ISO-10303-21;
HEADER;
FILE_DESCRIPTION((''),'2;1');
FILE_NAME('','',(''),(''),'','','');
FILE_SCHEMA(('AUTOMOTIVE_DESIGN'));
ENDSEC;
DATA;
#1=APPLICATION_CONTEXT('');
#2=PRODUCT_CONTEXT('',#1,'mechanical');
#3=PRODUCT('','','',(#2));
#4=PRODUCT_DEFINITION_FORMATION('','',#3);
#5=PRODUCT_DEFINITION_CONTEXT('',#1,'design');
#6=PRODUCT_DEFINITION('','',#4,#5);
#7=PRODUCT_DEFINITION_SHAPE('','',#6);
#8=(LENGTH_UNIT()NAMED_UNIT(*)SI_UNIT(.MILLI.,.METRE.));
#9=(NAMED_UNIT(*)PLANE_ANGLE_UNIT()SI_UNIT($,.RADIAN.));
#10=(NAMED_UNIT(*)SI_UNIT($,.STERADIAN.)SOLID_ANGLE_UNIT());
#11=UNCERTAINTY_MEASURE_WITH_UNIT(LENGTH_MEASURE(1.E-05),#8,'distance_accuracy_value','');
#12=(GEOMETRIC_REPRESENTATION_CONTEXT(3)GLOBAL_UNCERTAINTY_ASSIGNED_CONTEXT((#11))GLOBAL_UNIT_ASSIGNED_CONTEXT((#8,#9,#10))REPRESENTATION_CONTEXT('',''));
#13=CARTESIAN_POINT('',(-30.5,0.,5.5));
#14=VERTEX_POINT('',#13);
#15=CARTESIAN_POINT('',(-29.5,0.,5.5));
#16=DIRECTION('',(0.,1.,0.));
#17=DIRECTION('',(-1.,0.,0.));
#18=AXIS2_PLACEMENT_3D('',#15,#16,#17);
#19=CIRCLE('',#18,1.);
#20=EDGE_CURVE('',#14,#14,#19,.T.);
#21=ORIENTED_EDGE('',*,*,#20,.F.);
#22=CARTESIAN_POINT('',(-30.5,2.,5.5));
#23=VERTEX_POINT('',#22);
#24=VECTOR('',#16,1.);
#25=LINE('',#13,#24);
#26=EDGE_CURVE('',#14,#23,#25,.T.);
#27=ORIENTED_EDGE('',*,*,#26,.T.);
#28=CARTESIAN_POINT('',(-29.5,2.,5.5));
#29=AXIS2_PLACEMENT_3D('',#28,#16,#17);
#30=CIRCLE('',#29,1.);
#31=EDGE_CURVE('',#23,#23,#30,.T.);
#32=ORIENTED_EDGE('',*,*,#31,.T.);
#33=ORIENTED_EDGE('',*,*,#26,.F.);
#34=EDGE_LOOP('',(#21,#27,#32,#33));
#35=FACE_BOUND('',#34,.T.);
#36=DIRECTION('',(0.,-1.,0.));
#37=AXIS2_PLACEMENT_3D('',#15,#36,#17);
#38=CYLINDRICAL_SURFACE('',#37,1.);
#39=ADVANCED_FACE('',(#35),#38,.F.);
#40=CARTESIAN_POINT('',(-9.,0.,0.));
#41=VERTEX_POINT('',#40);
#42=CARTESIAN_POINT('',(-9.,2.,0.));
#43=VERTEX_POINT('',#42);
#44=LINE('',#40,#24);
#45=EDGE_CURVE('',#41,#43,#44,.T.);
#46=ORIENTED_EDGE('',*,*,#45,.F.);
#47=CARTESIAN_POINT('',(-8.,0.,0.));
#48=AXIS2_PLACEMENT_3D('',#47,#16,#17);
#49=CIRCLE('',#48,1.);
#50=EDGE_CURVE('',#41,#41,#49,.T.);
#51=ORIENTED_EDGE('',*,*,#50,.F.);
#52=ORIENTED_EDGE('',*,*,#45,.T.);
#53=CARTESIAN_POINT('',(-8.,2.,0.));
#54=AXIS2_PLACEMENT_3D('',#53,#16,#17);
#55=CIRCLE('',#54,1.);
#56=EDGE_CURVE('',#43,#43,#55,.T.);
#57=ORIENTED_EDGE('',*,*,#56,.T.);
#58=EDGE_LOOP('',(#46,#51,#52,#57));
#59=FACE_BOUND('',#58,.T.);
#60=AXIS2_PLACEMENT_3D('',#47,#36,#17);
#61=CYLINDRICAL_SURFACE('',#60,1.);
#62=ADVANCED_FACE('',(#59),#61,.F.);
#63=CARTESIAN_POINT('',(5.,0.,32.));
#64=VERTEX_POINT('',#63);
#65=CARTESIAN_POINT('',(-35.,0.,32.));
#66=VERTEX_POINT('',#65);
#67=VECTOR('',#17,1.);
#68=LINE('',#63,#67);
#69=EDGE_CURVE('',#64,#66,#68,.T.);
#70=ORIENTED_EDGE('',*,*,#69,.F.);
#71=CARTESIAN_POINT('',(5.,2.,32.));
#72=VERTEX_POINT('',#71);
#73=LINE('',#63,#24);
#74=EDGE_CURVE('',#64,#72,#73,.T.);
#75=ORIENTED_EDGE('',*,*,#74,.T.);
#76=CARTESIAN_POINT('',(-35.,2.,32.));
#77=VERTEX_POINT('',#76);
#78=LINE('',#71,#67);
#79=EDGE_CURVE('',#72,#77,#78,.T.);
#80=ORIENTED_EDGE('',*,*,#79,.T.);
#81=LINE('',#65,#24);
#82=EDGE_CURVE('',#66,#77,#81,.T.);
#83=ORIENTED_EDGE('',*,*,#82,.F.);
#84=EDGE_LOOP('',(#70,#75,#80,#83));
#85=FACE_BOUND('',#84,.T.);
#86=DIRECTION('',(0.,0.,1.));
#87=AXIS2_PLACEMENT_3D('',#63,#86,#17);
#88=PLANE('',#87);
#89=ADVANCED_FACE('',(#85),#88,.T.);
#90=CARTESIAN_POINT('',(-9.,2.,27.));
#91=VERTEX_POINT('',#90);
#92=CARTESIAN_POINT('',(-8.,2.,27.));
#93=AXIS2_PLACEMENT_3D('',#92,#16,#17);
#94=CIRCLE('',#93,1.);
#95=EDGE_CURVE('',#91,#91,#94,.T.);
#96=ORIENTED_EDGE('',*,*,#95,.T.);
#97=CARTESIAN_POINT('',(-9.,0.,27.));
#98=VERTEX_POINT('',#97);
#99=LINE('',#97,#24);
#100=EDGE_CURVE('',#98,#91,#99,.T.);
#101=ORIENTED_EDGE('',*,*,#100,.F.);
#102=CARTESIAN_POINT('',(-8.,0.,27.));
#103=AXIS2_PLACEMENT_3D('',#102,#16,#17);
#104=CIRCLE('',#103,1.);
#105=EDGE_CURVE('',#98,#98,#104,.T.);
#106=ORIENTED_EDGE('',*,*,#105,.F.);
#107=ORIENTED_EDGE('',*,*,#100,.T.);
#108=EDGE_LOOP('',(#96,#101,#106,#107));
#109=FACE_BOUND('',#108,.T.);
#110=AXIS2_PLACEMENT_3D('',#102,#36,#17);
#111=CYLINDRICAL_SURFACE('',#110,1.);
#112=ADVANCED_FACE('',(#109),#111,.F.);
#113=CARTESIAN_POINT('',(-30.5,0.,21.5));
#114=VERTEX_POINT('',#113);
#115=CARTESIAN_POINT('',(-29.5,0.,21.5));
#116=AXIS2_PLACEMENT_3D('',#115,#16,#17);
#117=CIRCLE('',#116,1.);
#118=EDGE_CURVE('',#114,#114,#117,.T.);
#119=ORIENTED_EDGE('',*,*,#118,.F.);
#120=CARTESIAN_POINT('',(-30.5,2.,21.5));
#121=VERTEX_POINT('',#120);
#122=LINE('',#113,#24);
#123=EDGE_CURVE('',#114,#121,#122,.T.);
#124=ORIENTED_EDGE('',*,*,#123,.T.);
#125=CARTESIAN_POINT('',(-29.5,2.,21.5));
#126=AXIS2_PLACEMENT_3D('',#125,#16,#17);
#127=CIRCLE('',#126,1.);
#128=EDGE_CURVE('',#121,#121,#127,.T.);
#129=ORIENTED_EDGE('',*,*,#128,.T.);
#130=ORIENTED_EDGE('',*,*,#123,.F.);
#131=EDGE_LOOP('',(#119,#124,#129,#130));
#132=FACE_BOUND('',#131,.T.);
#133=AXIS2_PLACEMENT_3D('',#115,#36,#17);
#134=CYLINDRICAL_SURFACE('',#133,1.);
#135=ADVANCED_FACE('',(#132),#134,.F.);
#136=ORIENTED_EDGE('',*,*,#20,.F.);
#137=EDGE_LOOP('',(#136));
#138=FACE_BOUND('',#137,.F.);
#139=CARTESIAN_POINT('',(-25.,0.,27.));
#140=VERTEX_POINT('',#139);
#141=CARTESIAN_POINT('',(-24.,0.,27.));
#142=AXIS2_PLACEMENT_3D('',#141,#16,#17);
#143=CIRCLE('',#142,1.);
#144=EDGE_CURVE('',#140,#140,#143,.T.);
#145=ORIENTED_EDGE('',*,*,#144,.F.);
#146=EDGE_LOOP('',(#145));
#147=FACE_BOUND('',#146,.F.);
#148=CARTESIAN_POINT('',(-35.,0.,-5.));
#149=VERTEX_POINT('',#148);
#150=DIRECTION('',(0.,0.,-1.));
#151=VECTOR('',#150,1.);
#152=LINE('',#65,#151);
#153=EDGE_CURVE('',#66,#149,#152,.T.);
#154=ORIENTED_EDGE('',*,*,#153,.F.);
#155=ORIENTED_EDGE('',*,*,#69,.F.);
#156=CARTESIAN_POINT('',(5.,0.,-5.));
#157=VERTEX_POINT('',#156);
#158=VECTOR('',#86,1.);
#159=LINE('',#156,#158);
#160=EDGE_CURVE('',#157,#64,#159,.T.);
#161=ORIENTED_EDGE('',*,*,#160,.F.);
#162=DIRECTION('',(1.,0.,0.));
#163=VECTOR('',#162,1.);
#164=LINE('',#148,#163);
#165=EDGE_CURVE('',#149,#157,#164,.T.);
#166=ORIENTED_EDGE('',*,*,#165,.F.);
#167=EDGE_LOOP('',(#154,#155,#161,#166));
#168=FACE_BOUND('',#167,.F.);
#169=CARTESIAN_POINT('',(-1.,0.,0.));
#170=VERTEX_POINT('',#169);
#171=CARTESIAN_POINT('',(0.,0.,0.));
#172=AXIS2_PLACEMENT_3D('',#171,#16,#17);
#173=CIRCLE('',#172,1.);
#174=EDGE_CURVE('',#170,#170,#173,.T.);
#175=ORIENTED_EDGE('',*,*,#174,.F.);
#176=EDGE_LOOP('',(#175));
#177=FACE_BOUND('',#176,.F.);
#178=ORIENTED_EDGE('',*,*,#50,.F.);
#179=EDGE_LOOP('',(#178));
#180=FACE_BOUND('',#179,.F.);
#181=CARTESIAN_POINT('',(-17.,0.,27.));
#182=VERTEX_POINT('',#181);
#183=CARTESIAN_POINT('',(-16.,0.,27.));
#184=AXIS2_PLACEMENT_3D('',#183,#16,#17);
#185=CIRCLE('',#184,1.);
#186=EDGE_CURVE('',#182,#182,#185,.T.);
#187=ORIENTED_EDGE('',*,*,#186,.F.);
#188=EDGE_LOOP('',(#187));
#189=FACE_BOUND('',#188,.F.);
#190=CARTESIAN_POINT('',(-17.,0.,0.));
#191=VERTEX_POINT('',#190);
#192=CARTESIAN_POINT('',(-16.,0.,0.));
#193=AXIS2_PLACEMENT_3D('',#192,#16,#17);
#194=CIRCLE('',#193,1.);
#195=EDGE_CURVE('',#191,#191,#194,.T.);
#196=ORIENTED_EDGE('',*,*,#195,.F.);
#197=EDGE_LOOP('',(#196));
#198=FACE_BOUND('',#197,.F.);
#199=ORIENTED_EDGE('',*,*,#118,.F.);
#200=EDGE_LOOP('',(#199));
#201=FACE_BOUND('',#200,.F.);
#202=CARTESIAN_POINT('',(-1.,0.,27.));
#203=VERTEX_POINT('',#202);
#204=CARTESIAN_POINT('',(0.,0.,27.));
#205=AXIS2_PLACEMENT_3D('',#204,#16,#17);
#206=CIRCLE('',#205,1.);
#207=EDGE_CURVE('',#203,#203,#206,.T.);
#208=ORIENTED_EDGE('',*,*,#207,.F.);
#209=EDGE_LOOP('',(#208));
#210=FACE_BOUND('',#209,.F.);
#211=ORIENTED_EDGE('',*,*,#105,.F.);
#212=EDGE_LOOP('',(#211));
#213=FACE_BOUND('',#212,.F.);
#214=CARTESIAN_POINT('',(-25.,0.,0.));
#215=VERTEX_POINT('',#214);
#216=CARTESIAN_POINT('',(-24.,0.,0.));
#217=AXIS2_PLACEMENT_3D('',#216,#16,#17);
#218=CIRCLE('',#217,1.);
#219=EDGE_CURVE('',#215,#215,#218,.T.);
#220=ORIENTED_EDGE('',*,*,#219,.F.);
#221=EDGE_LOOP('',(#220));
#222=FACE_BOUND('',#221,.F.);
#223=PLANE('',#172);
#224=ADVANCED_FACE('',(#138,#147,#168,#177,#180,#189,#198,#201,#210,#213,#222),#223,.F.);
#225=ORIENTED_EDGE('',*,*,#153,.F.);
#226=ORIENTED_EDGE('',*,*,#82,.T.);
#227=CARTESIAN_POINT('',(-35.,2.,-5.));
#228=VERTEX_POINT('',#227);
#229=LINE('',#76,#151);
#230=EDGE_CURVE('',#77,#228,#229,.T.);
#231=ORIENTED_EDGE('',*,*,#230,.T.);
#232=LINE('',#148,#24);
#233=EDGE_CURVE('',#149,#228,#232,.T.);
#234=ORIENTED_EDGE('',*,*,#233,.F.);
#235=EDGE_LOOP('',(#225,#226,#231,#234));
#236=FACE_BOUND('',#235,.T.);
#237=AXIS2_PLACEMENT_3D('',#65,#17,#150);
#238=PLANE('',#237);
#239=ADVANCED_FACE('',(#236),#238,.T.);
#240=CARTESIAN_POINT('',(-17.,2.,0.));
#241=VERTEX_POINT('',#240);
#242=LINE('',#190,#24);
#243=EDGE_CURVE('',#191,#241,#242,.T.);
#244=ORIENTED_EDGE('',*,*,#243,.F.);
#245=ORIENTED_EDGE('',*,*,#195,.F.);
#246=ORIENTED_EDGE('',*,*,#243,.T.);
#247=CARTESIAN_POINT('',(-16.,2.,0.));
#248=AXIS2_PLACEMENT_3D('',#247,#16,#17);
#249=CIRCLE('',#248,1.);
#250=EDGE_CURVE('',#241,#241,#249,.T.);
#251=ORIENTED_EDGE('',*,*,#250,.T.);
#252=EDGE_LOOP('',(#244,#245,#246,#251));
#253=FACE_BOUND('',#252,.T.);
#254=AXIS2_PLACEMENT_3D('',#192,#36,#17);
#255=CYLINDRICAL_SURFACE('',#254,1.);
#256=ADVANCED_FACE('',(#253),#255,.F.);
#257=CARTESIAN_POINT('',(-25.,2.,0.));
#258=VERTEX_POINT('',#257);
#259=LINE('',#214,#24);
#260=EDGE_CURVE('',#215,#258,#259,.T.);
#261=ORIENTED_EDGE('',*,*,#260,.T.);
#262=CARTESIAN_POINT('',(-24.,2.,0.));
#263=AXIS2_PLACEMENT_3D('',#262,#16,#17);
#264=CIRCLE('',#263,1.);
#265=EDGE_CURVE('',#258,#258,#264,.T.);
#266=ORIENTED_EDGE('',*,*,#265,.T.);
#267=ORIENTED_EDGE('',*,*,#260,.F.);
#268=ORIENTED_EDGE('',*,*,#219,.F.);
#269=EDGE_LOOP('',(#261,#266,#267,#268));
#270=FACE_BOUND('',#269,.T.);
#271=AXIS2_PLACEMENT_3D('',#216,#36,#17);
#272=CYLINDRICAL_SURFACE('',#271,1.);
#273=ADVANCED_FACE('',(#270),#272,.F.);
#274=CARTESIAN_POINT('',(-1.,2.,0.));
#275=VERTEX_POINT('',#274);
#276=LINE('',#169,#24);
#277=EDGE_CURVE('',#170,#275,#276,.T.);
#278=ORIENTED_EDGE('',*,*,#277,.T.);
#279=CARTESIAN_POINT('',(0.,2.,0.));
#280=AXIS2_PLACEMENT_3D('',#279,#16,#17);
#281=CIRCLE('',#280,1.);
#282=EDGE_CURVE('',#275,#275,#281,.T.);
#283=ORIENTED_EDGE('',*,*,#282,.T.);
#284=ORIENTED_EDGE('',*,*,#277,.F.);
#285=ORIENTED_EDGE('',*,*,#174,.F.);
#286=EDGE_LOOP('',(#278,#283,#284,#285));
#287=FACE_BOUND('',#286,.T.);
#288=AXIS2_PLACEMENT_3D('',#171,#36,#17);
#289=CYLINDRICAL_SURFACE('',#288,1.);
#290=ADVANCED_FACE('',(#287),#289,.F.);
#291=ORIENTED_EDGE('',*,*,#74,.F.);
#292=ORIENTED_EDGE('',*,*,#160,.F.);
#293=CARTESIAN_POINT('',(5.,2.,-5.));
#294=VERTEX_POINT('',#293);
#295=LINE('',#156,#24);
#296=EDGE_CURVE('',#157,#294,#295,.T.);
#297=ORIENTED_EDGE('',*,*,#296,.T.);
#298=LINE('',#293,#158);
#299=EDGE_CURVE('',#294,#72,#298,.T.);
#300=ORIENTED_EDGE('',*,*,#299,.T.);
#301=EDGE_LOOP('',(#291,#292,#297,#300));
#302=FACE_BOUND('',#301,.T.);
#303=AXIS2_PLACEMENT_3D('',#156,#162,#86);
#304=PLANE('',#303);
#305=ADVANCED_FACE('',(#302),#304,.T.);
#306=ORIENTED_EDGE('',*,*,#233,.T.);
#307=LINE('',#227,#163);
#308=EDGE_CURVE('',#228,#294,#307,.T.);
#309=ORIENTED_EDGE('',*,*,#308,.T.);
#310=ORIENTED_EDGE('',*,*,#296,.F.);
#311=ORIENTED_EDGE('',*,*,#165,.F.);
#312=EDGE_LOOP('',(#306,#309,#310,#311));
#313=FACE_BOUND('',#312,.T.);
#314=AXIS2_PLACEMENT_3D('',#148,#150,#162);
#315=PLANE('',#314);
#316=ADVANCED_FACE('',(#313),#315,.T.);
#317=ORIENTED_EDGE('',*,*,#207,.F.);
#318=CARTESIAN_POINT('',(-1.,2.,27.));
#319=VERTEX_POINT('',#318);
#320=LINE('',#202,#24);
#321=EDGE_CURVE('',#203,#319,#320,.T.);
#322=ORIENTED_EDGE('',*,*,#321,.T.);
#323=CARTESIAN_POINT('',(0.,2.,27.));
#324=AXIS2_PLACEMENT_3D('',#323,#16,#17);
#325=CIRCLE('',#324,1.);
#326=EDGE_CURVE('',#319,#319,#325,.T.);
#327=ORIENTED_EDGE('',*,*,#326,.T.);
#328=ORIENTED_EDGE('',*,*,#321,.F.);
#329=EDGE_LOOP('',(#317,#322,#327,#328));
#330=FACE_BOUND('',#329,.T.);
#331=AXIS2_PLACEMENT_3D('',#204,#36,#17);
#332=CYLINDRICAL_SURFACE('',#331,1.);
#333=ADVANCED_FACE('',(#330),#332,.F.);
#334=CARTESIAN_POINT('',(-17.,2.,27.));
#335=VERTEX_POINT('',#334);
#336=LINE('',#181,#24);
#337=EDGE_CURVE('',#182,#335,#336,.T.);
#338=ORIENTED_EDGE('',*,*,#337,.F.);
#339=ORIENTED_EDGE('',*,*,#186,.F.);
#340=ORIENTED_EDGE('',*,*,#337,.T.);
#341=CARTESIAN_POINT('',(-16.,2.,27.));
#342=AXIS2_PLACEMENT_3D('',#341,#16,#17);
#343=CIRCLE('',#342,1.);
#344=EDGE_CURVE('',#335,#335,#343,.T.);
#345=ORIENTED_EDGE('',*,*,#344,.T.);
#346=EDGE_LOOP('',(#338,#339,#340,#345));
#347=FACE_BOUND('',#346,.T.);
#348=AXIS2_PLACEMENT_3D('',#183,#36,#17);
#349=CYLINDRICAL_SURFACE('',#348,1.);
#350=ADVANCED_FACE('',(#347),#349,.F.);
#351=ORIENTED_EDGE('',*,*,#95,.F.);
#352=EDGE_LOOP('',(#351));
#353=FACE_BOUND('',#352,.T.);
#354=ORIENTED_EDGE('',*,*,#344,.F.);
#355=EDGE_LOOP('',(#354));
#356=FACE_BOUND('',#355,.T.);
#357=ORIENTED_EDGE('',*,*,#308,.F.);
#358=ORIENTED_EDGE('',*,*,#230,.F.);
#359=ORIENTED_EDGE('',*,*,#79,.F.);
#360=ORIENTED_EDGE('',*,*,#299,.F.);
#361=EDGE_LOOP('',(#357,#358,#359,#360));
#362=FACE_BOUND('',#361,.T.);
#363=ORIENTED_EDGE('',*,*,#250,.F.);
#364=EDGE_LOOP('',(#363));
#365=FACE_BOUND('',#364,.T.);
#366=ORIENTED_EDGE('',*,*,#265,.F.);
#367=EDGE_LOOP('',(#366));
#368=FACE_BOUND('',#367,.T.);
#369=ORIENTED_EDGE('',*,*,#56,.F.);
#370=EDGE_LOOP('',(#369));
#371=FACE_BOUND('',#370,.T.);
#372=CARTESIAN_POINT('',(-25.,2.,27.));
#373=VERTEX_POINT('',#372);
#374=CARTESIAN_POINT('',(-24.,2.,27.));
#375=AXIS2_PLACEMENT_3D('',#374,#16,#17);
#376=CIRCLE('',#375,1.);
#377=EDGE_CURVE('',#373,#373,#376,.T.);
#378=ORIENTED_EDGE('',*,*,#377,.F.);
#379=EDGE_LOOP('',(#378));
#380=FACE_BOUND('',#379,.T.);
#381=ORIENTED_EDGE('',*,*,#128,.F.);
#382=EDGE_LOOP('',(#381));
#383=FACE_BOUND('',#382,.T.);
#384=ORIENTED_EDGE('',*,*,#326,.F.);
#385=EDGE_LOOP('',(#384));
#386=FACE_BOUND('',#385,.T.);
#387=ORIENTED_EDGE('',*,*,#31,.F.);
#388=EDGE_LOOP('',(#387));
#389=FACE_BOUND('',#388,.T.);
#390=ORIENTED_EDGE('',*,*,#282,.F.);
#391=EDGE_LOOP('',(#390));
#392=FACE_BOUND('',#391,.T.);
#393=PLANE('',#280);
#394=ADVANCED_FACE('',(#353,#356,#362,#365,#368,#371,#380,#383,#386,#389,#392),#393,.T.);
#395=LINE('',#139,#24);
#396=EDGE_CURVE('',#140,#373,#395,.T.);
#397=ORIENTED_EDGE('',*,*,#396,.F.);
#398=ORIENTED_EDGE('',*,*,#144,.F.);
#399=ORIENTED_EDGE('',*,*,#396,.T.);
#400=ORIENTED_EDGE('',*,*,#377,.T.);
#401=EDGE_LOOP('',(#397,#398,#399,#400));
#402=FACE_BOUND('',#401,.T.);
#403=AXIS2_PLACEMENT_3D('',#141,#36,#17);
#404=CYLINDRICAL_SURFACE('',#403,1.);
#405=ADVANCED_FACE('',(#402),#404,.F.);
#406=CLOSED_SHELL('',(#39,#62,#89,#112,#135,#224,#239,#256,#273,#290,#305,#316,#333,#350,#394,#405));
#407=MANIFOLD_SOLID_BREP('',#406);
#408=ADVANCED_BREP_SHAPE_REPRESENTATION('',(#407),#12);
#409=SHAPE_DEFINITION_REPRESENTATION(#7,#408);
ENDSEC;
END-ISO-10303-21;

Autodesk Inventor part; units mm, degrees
ref_plane "YZ Plane" through (0, 0, 0) normal (1, 0, 0) x (0, 1, 0)
ref_plane "XZ Plane" through (0, 0, 0) normal (0, 1, 0) x (-1, 0, 0)
ref_plane "XY Plane" through (0, 0, 0) normal (0, 0, 1) x (1, 0, 0)
sketch "Esquisse1" plane through (0, 0, 0) normal (0, 1, 0) x (-1, 0, 0)
  line L0 (0, 0) -> (0, 27) construction
  line L1 (0, 0) -> (24, 0) construction
  line L2 (24, 0) -> (24, 27) construction
  line L3 (24, 27) -> (0, 27) construction
  line L4 (0, 0) -> (8, 0) construction
  line L5 (8, 0) -> (16, 0) construction
  line L6 (16, 0) -> (24, 0) construction
  circle A0 centre (0, 0) radius 1
  circle A1 centre (8, 0) radius 1
  circle A2 centre (16, 0) radius 1
  circle A3 centre (24, 0) radius 1
  line L7 (24, 0) -> (29.5, 0) construction
  circle A4 centre (0, 27) radius 1
  circle A5 centre (8, 27) radius 1
  circle A6 centre (16, 27) radius 1
  circle A7 centre (24, 27) radius 1
  line L8 (29.5, 0) -> (29.5, 5.5) construction
  line L9 (29.5, 5.5) -> (29.5, 21.5) construction
  circle A8 centre (29.5, 21.5) radius 1
  circle A9 centre (29.5, 5.5) radius 1
  line L10 (0, 0) -> (0, -5) construction
  line L11 (0, -5) -> (-5, -5) construction
  line L12 (-5, -5) -> (-5, 32)
  line L13 (-5, 32) -> (35, 32)
  line L14 (35, 32) -> (35, -5)
  line L15 (35, -5) -> (-5, -5)
  line L16 (16, 0) -> (24, 0) construction
  dimension "d0" = 8
  dimension "d1" = 8
  dimension "d2" = 2
  dimension "d3" = 2
  dimension "d4" = 5.5
  dimension "d5" = 2
  dimension "d6" = 2
  dimension "d7" = 5.5
  dimension "d8" = 16
  dimension "d9" = 2
  dimension "d10" = 2
  dimension "d12" = 27
  dimension "d13" = 5
  dimension "d15" = 8
  dimension "d16" = 5.5
  dimension "d17" = 40
  dimension "d18" = 32
  dimension "d19" = 19
  dimension "d20" = 27
extrude "Extrusion1" add sketch "Esquisse1" along normal blind 2
properties part number "AX12_gabarit"
